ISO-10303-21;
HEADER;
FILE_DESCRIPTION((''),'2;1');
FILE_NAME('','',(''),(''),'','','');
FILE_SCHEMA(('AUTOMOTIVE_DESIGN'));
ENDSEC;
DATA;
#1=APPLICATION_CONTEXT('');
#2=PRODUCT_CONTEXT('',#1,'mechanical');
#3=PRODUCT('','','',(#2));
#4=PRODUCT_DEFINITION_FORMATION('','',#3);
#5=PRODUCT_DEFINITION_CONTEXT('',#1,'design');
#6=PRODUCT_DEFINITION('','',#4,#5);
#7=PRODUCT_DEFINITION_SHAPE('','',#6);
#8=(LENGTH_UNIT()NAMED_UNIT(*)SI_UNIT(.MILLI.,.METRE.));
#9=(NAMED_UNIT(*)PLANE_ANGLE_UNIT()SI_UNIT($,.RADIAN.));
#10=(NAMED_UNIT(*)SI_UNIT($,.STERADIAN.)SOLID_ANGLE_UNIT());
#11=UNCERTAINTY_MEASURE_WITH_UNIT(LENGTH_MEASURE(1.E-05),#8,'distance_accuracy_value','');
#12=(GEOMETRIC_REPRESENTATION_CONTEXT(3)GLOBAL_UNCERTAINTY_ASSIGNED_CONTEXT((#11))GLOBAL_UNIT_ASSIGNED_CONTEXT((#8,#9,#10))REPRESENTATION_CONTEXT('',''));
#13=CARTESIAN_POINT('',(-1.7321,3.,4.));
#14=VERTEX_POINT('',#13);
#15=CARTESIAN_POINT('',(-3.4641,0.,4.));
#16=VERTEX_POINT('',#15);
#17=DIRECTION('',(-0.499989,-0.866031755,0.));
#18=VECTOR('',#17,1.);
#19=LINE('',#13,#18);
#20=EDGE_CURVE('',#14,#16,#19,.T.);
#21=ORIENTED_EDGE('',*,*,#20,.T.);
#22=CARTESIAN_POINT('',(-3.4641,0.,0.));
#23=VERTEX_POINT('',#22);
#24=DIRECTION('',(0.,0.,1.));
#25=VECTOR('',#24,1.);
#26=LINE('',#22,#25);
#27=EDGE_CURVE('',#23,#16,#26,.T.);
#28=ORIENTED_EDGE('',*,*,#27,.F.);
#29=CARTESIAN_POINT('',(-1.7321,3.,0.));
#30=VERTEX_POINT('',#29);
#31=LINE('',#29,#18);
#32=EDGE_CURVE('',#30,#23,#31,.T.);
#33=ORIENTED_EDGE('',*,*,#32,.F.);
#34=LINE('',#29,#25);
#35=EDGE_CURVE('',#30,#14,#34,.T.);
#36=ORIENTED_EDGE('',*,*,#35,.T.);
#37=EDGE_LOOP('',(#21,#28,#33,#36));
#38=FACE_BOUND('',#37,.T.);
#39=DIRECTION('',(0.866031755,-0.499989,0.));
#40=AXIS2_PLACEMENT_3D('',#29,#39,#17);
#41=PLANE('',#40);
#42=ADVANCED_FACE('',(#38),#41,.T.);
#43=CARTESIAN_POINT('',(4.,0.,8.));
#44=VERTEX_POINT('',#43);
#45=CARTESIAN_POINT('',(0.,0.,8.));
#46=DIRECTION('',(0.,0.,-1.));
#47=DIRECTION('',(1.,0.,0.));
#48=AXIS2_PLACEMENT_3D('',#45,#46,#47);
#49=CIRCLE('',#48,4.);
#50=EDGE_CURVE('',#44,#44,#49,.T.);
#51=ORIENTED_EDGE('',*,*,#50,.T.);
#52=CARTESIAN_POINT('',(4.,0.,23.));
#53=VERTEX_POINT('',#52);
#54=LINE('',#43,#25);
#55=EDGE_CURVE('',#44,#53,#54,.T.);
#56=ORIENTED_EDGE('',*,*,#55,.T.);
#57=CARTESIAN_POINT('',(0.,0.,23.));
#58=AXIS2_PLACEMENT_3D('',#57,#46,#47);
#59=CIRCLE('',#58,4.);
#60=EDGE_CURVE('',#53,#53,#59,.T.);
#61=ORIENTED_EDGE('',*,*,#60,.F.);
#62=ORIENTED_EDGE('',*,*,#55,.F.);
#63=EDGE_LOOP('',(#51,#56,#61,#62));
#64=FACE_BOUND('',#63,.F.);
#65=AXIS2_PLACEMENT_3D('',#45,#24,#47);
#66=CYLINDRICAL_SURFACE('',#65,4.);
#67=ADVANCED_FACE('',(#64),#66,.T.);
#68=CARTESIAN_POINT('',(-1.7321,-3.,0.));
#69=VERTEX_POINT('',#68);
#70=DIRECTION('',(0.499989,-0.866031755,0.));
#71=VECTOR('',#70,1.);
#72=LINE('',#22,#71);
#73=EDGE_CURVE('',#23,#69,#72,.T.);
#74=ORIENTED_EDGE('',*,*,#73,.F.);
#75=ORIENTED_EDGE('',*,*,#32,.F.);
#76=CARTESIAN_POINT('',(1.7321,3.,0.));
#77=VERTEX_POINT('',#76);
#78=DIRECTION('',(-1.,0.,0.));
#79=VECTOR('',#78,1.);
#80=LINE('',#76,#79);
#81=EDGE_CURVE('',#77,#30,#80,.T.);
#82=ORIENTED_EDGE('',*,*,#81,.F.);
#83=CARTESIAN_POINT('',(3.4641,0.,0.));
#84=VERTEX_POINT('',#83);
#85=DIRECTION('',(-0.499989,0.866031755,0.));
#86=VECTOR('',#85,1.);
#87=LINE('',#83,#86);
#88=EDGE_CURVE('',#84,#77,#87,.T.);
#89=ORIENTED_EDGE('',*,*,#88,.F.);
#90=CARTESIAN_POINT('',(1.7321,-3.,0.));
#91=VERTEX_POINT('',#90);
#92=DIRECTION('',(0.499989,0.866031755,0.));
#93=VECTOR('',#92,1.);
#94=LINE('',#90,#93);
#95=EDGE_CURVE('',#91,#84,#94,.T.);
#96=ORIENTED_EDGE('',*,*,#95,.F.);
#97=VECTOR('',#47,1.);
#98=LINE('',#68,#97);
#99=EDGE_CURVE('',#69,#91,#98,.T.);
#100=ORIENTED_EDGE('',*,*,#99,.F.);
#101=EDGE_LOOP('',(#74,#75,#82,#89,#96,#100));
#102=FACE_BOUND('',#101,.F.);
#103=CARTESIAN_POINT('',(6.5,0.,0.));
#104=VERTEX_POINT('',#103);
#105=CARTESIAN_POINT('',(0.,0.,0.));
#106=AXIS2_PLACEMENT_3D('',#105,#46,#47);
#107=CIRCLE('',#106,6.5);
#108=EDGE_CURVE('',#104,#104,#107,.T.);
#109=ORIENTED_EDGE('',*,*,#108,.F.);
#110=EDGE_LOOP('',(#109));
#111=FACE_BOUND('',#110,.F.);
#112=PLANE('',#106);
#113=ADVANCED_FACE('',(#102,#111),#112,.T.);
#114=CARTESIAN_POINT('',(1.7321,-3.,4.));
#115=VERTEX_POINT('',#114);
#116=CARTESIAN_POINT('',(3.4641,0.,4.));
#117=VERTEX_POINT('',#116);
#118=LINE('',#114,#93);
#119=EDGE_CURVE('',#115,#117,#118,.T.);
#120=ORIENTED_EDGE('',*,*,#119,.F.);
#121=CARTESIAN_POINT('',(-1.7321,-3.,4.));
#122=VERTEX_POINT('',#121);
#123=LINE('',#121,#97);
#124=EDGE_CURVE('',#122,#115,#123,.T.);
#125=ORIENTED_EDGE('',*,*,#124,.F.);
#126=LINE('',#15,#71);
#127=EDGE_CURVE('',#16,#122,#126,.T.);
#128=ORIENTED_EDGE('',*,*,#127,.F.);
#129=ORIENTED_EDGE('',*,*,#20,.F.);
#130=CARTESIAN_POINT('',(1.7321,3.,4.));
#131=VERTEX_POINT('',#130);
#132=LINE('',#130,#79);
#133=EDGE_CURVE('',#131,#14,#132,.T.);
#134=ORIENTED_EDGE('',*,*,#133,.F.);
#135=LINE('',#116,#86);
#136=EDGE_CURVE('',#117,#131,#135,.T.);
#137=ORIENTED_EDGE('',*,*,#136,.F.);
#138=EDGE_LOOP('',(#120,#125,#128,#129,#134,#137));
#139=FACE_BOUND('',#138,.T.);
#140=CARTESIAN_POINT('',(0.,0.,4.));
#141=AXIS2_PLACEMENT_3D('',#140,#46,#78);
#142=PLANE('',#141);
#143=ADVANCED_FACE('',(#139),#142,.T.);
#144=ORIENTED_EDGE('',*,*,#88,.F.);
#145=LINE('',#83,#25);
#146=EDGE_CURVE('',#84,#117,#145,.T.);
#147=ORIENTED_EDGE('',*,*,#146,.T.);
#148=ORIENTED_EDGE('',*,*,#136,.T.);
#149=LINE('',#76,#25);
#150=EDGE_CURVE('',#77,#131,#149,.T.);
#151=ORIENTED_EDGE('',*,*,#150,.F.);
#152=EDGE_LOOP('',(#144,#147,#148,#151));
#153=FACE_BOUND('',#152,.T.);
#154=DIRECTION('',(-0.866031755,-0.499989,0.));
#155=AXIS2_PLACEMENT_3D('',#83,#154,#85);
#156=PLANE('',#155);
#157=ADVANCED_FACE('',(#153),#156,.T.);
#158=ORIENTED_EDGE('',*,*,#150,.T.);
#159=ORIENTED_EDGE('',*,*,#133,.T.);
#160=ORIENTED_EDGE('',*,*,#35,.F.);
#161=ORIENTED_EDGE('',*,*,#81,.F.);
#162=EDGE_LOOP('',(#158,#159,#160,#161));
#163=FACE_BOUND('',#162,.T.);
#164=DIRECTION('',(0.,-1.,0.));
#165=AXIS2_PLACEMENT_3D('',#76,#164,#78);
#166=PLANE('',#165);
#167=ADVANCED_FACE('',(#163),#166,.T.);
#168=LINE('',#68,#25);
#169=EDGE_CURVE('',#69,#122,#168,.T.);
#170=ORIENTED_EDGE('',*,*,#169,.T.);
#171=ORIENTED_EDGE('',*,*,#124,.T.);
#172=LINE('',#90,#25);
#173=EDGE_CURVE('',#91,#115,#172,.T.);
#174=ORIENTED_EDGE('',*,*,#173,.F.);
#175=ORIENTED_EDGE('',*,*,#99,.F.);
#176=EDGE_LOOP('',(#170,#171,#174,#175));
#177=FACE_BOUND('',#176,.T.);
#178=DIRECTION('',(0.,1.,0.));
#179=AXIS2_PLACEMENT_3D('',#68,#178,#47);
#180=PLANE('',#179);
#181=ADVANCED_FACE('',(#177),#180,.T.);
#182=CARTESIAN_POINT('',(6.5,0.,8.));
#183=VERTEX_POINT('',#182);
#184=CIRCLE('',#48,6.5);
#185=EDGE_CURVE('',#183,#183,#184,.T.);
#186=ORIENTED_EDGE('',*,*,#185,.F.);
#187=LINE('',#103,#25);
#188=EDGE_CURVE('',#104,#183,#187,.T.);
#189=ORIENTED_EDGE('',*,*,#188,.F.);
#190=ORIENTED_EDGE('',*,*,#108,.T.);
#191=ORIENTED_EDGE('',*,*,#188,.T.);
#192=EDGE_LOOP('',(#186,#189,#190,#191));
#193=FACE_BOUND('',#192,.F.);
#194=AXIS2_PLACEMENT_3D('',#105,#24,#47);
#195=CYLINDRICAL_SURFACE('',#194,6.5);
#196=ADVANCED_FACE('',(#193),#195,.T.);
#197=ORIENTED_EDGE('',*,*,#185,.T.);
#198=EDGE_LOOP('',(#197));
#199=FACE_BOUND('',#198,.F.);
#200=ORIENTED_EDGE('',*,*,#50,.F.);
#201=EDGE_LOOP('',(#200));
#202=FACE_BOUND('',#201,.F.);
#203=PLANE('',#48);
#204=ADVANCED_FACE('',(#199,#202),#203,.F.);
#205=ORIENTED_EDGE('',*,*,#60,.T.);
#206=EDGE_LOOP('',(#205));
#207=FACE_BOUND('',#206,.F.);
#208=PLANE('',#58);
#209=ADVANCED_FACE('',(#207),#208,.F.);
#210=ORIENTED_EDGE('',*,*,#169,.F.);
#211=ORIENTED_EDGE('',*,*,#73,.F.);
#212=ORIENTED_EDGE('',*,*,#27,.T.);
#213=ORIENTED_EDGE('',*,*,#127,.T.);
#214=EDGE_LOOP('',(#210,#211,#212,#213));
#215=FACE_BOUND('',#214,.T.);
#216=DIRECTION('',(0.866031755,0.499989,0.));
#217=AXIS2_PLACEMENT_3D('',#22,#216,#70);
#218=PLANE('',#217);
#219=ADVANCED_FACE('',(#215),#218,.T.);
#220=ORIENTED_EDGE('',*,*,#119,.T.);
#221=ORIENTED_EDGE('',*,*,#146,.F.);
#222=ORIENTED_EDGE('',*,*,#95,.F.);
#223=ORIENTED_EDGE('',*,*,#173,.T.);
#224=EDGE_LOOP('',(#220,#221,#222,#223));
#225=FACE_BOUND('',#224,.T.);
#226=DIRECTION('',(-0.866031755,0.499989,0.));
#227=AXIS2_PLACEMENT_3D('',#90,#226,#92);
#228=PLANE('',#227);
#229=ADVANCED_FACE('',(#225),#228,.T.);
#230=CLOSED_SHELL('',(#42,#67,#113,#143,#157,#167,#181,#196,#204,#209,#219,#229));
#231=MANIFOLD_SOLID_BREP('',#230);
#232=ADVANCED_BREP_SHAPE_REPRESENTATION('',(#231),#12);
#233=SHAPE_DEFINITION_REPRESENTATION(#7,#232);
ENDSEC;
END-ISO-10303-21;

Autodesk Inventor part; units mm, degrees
ref_plane "YZ Plane" through (0, 0, 0) normal (1, 0, 0) x (0, 1, 0)
ref_plane "XZ Plane" through (0, 0, 0) normal (0, 1, 0) x (-1, 0, 0)
ref_plane "XY Plane" through (0, 0, 0) normal (0, 0, 1) x (1, 0, 0)
sketch "Sketch1" plane through (0, 0, 0) normal (0, 1, 0) x (-1, 0, 0)
  line L0 (0, 0) -> (-6.5, 0)
  line L1 (-6.5, 0) -> (-6.5, 8)
  line L2 (-6.5, 8) -> (-4, 8)
  line L3 (-4, 8) -> (-4, 23)
  line L4 (-4, 23) -> (0, 23)
  line L5 (0, 23) -> (0, 0)
  dimension "ScrewLength" = 15
  dimension "Diameter" = 13
  dimension "Metric" = 8
  dimension "HeadLength" = 8
revolve "Revolution1" add sketch "Sketch1" angle 360 about axis through (0, 0, 23) along (0, 0, -1)
thread "Thread1" size "M8x1.25" class "6g" standard "ANSI Metric M Profile" full length
sketch "Sketch2" plane through (0, 0, 0) normal (0, 0, -1) x (-1, 0, 0)
  line L0 (1.7321, 3) -> (3.4641, 0)
  line L1 (3.4641, 0) -> (1.7321, -3)
  line L2 (1.7321, -3) -> (-1.7321, -3)
  line L3 (-1.7321, -3) -> (-3.4641, 0)
  line L4 (-3.4641, 0) -> (-1.7321, 3)
  line L5 (-1.7321, 3) -> (1.7321, 3)
  point P0 (0, 0)
  point P1 (0, 0)
  dimension "WidthAcrossFlat" = 6
extrude "Extrusion1" cut sketch "Sketch2" against normal blind 4
properties part number "UC-0815" material "Stainless Steel AISI 304"
